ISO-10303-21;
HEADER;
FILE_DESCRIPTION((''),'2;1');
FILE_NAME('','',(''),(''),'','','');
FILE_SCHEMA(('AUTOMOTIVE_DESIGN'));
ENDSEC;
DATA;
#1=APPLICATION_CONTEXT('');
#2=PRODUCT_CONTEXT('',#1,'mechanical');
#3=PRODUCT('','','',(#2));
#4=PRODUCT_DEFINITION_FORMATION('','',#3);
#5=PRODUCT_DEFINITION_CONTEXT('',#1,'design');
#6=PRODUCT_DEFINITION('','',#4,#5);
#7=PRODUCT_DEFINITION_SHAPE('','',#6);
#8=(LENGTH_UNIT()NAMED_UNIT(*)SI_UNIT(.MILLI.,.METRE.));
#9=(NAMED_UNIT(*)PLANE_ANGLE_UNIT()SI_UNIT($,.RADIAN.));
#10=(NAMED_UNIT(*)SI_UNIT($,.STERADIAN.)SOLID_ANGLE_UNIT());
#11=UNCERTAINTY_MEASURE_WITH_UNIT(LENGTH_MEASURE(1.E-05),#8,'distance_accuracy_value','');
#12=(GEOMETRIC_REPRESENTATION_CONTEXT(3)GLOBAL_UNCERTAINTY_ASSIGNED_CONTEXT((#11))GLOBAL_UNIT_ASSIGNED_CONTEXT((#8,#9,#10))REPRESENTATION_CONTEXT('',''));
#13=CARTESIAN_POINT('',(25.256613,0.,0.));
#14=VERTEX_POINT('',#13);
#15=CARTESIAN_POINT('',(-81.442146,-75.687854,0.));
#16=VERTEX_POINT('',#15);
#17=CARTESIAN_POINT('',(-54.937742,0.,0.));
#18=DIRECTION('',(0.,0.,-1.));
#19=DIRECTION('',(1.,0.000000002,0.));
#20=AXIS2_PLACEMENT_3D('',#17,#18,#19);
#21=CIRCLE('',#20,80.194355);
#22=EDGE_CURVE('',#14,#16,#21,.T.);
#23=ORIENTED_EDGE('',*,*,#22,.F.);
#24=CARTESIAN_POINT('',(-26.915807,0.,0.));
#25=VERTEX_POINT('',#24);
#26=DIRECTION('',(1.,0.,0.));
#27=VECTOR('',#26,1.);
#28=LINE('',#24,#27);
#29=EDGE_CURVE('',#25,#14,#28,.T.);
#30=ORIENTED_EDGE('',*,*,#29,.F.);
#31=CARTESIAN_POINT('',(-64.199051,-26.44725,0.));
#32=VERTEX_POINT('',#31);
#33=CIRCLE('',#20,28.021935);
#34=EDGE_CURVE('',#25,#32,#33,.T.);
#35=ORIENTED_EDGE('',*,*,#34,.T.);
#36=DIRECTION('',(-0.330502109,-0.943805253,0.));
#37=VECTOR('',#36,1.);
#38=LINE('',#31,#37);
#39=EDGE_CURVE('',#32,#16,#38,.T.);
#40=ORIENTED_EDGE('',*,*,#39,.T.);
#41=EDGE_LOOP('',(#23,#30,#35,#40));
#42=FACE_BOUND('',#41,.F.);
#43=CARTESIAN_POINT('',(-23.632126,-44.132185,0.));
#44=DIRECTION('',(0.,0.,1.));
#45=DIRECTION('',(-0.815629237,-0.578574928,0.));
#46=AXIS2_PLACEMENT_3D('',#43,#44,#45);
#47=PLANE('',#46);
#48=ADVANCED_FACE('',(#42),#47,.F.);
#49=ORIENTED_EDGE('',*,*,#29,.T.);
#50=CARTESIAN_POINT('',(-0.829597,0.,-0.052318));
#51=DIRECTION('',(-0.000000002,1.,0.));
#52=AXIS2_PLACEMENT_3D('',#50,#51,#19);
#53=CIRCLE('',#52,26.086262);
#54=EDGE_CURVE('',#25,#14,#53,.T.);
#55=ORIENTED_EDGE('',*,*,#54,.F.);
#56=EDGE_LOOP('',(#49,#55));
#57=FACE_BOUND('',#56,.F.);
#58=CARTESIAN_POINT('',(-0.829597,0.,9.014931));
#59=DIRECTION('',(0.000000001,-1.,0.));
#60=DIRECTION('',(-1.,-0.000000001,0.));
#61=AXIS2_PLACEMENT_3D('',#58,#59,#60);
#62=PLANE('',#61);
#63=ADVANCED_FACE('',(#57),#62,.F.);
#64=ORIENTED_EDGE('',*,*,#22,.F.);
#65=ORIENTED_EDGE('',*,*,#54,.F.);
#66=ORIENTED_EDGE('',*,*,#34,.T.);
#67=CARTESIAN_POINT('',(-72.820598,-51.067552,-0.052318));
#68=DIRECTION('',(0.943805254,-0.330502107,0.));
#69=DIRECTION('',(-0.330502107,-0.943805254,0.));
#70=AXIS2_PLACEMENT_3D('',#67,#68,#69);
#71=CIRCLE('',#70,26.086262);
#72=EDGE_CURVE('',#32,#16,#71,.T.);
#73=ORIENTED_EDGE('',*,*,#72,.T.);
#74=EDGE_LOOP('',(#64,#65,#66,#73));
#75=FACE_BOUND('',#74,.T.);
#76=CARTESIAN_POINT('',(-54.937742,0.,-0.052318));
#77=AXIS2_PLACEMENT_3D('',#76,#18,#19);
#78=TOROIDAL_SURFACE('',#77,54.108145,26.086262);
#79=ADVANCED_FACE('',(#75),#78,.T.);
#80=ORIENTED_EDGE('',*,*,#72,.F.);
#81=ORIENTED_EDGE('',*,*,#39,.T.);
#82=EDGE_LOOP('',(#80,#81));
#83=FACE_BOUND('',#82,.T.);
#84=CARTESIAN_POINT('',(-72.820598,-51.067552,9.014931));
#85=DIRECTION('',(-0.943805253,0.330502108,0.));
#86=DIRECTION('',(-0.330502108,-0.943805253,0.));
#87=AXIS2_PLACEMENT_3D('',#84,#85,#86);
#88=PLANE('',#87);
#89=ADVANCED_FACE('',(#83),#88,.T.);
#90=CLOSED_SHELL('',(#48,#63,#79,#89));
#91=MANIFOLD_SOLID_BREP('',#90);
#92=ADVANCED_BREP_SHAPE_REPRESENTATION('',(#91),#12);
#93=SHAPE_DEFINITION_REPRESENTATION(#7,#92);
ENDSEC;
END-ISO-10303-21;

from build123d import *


with BuildPart() as f2:
    # F2: sweep along a path in F1
    with BuildLine(Plane.XY) as f2_path:
        ThreePointArc((0, 0), (-23.152142, -44.808829), (-73.094782, -51.85053))
    # F0 (on Front) → F2 (sweep)
    with BuildSketch(Plane.XZ):
        with BuildLine():
            ThreePointArc((25.256613, 0), (-0.829597, 26.033944), (-26.915807, 0))
            Line((-26.915807, 0), (25.256613, 0))
        make_face()
    sweep(path=f2_path.line)


solid = f2.part
